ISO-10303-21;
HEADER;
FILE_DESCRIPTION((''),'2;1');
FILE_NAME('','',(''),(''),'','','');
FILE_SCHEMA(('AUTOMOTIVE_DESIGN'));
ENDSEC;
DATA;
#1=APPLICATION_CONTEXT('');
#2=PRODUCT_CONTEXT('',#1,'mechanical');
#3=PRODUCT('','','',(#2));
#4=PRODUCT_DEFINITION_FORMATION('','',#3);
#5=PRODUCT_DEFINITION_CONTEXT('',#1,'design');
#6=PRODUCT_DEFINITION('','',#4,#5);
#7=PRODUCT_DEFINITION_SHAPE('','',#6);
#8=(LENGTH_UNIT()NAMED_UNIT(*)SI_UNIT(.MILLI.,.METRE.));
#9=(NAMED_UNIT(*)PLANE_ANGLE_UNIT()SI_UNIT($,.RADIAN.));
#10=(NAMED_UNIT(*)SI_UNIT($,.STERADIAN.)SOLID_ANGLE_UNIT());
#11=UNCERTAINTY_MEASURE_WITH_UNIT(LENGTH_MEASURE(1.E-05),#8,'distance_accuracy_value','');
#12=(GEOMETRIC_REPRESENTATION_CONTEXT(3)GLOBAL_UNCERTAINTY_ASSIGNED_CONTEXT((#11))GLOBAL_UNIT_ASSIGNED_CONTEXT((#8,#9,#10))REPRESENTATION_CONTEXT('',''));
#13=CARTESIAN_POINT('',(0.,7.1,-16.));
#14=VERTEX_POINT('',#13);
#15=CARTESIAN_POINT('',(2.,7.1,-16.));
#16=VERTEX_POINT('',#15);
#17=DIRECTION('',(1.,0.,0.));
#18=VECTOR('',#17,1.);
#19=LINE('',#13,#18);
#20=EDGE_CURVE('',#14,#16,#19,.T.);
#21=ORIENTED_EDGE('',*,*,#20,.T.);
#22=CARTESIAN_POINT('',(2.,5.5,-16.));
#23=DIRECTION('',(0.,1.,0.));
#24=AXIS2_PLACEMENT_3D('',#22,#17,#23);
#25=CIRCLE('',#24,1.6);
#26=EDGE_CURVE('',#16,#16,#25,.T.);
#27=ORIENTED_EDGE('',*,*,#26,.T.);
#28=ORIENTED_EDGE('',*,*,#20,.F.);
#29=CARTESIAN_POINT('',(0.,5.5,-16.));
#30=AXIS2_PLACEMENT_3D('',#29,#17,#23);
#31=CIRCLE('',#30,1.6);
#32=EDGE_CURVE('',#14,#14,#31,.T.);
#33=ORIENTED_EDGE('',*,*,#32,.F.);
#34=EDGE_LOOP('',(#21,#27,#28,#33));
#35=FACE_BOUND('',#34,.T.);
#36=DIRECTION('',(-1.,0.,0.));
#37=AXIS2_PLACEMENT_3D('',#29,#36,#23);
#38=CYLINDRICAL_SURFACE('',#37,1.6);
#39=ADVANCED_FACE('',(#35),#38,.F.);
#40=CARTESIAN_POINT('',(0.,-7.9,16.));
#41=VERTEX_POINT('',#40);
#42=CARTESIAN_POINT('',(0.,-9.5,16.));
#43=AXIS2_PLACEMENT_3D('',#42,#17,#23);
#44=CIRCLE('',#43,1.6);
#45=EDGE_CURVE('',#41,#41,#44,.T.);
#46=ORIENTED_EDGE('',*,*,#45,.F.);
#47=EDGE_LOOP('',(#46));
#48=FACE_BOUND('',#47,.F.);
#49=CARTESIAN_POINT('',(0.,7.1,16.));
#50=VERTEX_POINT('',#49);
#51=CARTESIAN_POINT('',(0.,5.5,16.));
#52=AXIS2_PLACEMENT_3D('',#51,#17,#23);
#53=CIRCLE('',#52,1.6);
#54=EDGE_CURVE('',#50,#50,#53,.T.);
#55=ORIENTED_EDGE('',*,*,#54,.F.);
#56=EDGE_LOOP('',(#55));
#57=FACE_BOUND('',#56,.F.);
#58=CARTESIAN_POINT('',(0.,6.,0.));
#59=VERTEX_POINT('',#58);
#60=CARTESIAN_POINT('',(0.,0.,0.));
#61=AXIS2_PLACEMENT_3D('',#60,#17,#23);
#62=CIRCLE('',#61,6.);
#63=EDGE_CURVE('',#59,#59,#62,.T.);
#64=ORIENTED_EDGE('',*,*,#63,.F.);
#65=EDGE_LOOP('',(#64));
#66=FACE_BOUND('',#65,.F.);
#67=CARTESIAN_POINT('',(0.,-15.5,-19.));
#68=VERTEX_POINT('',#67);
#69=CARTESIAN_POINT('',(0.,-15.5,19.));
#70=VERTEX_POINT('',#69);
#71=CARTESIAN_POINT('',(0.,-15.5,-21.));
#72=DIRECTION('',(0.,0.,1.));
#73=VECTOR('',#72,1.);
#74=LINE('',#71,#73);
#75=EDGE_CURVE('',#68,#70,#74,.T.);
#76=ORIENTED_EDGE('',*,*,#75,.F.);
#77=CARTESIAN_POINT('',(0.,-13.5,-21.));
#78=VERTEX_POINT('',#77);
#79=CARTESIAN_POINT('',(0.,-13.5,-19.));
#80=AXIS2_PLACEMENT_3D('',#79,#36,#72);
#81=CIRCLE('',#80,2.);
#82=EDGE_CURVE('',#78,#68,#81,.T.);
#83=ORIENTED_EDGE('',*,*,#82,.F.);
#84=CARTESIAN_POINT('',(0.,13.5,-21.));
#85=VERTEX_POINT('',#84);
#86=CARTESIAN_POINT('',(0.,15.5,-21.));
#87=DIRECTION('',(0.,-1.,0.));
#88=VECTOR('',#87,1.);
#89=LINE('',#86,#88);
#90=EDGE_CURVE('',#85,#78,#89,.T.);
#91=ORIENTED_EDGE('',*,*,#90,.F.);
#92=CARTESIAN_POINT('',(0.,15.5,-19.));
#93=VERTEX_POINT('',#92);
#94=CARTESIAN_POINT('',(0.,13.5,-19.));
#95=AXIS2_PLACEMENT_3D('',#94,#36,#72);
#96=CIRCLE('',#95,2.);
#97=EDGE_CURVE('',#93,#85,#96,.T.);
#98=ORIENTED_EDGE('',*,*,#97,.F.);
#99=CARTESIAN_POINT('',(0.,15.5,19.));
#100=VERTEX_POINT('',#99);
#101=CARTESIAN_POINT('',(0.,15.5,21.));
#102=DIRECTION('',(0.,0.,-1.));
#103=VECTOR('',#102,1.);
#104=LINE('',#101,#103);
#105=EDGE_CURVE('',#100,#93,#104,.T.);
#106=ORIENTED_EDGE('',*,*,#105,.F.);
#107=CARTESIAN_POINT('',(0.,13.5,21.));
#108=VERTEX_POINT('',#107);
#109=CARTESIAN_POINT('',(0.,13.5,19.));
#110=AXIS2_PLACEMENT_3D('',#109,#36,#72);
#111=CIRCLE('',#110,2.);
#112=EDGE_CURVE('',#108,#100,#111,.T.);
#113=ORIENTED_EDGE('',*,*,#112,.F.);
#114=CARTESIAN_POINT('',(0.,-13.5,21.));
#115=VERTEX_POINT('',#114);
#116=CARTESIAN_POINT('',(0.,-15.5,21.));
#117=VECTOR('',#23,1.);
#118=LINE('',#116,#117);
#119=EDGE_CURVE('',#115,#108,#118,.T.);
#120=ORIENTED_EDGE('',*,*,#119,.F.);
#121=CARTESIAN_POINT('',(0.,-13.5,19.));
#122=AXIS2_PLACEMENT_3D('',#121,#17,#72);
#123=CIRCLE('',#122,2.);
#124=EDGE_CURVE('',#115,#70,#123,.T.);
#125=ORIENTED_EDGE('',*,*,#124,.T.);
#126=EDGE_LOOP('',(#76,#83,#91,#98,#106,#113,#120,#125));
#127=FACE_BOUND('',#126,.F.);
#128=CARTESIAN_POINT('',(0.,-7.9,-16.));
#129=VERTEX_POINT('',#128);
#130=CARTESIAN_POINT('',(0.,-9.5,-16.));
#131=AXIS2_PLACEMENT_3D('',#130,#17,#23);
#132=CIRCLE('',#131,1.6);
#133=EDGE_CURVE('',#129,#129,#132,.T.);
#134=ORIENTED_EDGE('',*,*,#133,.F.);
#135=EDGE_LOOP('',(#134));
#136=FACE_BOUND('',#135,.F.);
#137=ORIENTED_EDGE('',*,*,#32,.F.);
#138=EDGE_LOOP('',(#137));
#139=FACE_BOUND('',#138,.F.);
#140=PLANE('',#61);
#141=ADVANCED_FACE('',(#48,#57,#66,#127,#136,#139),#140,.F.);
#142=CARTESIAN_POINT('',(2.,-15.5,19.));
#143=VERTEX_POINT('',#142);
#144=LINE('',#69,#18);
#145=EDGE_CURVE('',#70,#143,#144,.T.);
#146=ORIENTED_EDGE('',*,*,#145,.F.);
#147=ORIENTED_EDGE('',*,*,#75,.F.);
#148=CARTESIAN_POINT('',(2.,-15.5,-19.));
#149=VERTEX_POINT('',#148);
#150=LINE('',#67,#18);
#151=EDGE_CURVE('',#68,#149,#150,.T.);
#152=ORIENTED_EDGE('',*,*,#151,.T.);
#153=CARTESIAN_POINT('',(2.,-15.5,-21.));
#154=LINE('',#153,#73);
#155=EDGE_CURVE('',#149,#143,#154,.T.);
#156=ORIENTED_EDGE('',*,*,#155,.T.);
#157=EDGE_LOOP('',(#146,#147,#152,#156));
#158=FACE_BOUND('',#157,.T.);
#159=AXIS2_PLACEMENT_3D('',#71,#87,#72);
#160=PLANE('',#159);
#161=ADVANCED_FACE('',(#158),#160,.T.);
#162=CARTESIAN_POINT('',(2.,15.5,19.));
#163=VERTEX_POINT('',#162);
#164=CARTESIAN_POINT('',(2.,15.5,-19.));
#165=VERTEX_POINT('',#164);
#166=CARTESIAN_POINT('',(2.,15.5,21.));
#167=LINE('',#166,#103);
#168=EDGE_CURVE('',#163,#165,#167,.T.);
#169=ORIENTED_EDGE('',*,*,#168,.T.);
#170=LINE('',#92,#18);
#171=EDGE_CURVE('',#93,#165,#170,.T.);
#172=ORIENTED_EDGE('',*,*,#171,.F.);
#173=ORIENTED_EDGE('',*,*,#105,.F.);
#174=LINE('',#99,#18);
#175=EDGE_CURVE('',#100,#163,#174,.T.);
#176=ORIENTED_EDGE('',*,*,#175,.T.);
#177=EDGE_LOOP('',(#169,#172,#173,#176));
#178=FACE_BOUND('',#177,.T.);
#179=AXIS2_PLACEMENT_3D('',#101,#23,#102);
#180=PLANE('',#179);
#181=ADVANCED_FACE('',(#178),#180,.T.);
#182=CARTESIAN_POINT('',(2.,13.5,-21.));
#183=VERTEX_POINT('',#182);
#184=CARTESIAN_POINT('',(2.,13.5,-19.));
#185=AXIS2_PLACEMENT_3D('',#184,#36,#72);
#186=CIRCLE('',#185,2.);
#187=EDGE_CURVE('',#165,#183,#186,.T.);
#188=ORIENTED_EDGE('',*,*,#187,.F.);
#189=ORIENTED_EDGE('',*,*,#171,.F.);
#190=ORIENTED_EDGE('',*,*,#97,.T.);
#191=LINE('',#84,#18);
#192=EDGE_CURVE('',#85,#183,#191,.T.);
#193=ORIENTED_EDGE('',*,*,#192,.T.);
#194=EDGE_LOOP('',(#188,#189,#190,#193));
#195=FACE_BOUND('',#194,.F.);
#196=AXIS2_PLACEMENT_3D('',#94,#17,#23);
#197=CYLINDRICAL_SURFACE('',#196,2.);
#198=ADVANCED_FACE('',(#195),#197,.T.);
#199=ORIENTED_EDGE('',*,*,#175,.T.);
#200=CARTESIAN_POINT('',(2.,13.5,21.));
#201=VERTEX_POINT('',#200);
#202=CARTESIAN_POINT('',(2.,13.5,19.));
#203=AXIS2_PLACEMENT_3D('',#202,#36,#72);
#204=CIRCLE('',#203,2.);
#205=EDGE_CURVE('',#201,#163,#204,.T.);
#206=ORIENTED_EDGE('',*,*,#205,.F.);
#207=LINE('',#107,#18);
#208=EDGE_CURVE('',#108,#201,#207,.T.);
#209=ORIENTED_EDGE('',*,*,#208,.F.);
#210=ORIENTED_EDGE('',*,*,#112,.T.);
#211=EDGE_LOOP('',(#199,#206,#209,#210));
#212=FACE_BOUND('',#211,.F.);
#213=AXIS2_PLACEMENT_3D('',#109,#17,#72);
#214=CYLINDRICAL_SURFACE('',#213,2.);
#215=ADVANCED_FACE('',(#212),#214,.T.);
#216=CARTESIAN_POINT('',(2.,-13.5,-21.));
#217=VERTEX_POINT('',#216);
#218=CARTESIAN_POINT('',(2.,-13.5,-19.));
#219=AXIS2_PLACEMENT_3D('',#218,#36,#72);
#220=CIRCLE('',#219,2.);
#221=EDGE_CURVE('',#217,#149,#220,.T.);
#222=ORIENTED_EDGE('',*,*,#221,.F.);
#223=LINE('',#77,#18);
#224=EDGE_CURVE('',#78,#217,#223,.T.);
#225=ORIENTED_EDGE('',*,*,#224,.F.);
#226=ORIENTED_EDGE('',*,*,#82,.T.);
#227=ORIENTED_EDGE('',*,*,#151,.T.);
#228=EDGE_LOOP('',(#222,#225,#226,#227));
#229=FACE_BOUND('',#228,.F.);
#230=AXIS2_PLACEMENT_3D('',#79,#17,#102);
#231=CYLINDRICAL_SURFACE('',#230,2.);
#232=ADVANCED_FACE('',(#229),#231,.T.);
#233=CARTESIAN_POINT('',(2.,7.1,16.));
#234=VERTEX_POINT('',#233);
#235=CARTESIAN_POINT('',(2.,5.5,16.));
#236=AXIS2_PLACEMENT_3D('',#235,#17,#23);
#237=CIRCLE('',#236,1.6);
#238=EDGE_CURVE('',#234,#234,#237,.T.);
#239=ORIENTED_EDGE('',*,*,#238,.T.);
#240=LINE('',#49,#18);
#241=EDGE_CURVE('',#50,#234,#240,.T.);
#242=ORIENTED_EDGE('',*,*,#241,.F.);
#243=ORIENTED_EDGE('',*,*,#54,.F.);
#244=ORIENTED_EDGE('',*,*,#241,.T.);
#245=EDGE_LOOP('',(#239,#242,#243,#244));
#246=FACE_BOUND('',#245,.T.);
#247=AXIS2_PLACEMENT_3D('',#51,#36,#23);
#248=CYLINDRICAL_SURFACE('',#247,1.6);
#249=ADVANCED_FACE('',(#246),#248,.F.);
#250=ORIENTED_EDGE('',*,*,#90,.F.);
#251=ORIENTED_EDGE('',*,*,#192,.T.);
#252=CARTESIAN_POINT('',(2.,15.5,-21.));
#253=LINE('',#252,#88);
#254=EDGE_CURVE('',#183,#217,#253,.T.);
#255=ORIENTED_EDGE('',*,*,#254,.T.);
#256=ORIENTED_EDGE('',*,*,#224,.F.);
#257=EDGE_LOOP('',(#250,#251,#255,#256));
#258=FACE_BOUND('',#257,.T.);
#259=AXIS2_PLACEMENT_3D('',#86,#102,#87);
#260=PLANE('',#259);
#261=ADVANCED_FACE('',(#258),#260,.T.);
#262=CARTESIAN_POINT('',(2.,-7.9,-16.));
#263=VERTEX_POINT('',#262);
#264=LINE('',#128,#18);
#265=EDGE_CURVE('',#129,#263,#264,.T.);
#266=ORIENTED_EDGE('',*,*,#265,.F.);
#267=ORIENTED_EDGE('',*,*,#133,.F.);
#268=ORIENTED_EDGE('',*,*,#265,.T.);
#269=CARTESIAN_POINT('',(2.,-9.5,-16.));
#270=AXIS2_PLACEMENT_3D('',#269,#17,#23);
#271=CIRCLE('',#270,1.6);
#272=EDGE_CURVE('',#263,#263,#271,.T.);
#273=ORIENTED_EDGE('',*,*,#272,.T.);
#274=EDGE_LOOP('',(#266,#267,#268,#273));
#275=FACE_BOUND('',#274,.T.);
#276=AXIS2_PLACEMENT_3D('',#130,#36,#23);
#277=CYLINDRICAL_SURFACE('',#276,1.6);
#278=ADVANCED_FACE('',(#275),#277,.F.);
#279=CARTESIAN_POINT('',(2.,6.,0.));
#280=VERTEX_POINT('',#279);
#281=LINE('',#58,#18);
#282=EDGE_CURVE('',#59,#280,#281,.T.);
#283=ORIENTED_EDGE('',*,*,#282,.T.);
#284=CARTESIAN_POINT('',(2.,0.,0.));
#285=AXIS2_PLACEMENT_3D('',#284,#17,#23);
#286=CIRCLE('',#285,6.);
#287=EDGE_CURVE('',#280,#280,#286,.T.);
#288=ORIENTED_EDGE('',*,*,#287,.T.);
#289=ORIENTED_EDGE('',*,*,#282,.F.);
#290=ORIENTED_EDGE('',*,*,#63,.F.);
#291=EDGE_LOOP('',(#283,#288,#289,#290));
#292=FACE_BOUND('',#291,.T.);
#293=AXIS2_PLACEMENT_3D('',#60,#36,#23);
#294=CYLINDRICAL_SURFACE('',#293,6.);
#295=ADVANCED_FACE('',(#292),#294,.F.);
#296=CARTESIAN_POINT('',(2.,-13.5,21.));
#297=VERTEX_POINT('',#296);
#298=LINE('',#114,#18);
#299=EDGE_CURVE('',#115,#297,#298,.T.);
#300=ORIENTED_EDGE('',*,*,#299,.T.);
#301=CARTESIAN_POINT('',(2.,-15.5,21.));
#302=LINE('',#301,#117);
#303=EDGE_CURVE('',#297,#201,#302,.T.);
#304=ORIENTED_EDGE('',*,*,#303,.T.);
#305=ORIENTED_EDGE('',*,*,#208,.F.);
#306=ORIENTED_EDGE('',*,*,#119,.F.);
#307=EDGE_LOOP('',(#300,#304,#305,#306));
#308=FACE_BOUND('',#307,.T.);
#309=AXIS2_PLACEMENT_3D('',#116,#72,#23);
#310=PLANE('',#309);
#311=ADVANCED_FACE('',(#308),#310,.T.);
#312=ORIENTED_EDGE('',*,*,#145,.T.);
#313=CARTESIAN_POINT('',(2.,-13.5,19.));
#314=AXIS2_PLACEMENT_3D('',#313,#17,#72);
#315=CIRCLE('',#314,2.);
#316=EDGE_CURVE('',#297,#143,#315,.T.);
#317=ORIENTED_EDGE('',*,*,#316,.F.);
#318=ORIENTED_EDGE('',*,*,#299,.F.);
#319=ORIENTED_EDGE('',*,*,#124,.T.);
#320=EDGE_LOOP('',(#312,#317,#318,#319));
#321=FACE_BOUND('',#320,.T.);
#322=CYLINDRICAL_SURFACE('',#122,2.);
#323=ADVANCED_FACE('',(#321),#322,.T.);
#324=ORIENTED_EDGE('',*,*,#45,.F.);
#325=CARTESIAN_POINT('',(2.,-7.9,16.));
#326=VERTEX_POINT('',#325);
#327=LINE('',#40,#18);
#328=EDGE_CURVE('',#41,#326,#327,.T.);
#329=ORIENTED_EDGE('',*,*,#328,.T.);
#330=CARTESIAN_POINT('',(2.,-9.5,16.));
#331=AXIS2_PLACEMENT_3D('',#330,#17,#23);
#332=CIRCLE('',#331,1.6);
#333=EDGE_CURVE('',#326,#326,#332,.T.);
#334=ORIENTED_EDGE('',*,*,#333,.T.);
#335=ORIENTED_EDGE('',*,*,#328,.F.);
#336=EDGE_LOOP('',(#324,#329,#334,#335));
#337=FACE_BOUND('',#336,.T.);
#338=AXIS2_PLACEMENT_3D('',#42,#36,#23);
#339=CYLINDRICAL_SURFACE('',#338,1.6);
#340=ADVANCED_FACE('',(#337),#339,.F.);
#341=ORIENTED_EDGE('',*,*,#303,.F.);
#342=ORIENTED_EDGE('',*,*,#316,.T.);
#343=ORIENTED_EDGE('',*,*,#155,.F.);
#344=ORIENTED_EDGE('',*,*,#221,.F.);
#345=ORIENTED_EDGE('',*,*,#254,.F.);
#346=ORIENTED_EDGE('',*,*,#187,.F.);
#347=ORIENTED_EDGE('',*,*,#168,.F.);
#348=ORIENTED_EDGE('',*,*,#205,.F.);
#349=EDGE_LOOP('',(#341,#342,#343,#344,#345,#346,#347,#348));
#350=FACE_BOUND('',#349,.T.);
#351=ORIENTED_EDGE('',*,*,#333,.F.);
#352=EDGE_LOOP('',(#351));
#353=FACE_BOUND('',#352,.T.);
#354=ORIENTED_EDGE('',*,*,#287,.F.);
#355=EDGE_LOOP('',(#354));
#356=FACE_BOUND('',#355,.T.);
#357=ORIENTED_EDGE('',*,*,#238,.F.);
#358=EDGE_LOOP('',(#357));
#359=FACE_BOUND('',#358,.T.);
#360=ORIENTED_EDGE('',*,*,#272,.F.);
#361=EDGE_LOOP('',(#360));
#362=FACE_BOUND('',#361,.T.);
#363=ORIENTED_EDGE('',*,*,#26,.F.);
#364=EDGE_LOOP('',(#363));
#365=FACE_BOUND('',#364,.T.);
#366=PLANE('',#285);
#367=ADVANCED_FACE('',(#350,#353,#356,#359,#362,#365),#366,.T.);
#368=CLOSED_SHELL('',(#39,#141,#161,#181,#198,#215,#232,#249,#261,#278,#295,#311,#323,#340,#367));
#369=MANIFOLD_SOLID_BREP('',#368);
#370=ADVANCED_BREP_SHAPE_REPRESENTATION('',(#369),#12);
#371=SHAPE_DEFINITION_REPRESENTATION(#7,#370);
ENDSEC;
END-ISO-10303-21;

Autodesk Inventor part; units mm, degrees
ref_plane "YZ Plane" through (0, 0, 0) normal (1, 0, 0) x (0, 1, 0)
ref_plane "XZ Plane" through (0, 0, 0) normal (0, 1, 0) x (-1, 0, 0)
ref_plane "XY Plane" through (0, 0, 0) normal (0, 0, 1) x (1, 0, 0)
sketch "Sketch1" plane through (0, 0, 0) normal (1, 0, 0) x (0, 1, 0)
  line L0 (-15.5, 21) -> (15.5, 21)
  line L1 (15.5, 21) -> (15.5, -21)
  line L2 (15.5, -21) -> (-15.5, -21)
  line L3 (-15.5, -21) -> (-15.5, 21)
  line L4 (-15.5, 21) -> (15.5, -21) construction
  line L5 (15.5, 21) -> (-15.5, -21) construction
  circle A0 centre (5.5, 16) radius 1.6
  circle A1 centre (5.5, -16) radius 1.6
  circle A2 centre (-9.5, -16) radius 1.6
  circle A3 centre (-9.5, 16) radius 1.6
  circle A4 centre (0, 0) radius 6
  point P0 (5.5, -16)
  point P1 (-9.5, -16)
  dimension "d0" = 42
  dimension "d1" = 31
  dimension "d2" = 5
  dimension "d3" = 10
  dimension "d5" = 15
  dimension "d6" = 5
  dimension "d7" = 3.2
  dimension "d8" = 3.2
  dimension "d9" = 3.2
  dimension "d10" = 3.2
  dimension "d11" = 12
extrude "Extrusion1" add sketch "Sketch1" along normal blind 2
fillet "Fillet1" radius 2 4 edges at (1, 15.5, 21) (1, -15.5, 21) (1, -15.5, -21) (1, 15.5, -21)
properties part number "2mm_double_for_pulley" material "アルミニウム 6061"
